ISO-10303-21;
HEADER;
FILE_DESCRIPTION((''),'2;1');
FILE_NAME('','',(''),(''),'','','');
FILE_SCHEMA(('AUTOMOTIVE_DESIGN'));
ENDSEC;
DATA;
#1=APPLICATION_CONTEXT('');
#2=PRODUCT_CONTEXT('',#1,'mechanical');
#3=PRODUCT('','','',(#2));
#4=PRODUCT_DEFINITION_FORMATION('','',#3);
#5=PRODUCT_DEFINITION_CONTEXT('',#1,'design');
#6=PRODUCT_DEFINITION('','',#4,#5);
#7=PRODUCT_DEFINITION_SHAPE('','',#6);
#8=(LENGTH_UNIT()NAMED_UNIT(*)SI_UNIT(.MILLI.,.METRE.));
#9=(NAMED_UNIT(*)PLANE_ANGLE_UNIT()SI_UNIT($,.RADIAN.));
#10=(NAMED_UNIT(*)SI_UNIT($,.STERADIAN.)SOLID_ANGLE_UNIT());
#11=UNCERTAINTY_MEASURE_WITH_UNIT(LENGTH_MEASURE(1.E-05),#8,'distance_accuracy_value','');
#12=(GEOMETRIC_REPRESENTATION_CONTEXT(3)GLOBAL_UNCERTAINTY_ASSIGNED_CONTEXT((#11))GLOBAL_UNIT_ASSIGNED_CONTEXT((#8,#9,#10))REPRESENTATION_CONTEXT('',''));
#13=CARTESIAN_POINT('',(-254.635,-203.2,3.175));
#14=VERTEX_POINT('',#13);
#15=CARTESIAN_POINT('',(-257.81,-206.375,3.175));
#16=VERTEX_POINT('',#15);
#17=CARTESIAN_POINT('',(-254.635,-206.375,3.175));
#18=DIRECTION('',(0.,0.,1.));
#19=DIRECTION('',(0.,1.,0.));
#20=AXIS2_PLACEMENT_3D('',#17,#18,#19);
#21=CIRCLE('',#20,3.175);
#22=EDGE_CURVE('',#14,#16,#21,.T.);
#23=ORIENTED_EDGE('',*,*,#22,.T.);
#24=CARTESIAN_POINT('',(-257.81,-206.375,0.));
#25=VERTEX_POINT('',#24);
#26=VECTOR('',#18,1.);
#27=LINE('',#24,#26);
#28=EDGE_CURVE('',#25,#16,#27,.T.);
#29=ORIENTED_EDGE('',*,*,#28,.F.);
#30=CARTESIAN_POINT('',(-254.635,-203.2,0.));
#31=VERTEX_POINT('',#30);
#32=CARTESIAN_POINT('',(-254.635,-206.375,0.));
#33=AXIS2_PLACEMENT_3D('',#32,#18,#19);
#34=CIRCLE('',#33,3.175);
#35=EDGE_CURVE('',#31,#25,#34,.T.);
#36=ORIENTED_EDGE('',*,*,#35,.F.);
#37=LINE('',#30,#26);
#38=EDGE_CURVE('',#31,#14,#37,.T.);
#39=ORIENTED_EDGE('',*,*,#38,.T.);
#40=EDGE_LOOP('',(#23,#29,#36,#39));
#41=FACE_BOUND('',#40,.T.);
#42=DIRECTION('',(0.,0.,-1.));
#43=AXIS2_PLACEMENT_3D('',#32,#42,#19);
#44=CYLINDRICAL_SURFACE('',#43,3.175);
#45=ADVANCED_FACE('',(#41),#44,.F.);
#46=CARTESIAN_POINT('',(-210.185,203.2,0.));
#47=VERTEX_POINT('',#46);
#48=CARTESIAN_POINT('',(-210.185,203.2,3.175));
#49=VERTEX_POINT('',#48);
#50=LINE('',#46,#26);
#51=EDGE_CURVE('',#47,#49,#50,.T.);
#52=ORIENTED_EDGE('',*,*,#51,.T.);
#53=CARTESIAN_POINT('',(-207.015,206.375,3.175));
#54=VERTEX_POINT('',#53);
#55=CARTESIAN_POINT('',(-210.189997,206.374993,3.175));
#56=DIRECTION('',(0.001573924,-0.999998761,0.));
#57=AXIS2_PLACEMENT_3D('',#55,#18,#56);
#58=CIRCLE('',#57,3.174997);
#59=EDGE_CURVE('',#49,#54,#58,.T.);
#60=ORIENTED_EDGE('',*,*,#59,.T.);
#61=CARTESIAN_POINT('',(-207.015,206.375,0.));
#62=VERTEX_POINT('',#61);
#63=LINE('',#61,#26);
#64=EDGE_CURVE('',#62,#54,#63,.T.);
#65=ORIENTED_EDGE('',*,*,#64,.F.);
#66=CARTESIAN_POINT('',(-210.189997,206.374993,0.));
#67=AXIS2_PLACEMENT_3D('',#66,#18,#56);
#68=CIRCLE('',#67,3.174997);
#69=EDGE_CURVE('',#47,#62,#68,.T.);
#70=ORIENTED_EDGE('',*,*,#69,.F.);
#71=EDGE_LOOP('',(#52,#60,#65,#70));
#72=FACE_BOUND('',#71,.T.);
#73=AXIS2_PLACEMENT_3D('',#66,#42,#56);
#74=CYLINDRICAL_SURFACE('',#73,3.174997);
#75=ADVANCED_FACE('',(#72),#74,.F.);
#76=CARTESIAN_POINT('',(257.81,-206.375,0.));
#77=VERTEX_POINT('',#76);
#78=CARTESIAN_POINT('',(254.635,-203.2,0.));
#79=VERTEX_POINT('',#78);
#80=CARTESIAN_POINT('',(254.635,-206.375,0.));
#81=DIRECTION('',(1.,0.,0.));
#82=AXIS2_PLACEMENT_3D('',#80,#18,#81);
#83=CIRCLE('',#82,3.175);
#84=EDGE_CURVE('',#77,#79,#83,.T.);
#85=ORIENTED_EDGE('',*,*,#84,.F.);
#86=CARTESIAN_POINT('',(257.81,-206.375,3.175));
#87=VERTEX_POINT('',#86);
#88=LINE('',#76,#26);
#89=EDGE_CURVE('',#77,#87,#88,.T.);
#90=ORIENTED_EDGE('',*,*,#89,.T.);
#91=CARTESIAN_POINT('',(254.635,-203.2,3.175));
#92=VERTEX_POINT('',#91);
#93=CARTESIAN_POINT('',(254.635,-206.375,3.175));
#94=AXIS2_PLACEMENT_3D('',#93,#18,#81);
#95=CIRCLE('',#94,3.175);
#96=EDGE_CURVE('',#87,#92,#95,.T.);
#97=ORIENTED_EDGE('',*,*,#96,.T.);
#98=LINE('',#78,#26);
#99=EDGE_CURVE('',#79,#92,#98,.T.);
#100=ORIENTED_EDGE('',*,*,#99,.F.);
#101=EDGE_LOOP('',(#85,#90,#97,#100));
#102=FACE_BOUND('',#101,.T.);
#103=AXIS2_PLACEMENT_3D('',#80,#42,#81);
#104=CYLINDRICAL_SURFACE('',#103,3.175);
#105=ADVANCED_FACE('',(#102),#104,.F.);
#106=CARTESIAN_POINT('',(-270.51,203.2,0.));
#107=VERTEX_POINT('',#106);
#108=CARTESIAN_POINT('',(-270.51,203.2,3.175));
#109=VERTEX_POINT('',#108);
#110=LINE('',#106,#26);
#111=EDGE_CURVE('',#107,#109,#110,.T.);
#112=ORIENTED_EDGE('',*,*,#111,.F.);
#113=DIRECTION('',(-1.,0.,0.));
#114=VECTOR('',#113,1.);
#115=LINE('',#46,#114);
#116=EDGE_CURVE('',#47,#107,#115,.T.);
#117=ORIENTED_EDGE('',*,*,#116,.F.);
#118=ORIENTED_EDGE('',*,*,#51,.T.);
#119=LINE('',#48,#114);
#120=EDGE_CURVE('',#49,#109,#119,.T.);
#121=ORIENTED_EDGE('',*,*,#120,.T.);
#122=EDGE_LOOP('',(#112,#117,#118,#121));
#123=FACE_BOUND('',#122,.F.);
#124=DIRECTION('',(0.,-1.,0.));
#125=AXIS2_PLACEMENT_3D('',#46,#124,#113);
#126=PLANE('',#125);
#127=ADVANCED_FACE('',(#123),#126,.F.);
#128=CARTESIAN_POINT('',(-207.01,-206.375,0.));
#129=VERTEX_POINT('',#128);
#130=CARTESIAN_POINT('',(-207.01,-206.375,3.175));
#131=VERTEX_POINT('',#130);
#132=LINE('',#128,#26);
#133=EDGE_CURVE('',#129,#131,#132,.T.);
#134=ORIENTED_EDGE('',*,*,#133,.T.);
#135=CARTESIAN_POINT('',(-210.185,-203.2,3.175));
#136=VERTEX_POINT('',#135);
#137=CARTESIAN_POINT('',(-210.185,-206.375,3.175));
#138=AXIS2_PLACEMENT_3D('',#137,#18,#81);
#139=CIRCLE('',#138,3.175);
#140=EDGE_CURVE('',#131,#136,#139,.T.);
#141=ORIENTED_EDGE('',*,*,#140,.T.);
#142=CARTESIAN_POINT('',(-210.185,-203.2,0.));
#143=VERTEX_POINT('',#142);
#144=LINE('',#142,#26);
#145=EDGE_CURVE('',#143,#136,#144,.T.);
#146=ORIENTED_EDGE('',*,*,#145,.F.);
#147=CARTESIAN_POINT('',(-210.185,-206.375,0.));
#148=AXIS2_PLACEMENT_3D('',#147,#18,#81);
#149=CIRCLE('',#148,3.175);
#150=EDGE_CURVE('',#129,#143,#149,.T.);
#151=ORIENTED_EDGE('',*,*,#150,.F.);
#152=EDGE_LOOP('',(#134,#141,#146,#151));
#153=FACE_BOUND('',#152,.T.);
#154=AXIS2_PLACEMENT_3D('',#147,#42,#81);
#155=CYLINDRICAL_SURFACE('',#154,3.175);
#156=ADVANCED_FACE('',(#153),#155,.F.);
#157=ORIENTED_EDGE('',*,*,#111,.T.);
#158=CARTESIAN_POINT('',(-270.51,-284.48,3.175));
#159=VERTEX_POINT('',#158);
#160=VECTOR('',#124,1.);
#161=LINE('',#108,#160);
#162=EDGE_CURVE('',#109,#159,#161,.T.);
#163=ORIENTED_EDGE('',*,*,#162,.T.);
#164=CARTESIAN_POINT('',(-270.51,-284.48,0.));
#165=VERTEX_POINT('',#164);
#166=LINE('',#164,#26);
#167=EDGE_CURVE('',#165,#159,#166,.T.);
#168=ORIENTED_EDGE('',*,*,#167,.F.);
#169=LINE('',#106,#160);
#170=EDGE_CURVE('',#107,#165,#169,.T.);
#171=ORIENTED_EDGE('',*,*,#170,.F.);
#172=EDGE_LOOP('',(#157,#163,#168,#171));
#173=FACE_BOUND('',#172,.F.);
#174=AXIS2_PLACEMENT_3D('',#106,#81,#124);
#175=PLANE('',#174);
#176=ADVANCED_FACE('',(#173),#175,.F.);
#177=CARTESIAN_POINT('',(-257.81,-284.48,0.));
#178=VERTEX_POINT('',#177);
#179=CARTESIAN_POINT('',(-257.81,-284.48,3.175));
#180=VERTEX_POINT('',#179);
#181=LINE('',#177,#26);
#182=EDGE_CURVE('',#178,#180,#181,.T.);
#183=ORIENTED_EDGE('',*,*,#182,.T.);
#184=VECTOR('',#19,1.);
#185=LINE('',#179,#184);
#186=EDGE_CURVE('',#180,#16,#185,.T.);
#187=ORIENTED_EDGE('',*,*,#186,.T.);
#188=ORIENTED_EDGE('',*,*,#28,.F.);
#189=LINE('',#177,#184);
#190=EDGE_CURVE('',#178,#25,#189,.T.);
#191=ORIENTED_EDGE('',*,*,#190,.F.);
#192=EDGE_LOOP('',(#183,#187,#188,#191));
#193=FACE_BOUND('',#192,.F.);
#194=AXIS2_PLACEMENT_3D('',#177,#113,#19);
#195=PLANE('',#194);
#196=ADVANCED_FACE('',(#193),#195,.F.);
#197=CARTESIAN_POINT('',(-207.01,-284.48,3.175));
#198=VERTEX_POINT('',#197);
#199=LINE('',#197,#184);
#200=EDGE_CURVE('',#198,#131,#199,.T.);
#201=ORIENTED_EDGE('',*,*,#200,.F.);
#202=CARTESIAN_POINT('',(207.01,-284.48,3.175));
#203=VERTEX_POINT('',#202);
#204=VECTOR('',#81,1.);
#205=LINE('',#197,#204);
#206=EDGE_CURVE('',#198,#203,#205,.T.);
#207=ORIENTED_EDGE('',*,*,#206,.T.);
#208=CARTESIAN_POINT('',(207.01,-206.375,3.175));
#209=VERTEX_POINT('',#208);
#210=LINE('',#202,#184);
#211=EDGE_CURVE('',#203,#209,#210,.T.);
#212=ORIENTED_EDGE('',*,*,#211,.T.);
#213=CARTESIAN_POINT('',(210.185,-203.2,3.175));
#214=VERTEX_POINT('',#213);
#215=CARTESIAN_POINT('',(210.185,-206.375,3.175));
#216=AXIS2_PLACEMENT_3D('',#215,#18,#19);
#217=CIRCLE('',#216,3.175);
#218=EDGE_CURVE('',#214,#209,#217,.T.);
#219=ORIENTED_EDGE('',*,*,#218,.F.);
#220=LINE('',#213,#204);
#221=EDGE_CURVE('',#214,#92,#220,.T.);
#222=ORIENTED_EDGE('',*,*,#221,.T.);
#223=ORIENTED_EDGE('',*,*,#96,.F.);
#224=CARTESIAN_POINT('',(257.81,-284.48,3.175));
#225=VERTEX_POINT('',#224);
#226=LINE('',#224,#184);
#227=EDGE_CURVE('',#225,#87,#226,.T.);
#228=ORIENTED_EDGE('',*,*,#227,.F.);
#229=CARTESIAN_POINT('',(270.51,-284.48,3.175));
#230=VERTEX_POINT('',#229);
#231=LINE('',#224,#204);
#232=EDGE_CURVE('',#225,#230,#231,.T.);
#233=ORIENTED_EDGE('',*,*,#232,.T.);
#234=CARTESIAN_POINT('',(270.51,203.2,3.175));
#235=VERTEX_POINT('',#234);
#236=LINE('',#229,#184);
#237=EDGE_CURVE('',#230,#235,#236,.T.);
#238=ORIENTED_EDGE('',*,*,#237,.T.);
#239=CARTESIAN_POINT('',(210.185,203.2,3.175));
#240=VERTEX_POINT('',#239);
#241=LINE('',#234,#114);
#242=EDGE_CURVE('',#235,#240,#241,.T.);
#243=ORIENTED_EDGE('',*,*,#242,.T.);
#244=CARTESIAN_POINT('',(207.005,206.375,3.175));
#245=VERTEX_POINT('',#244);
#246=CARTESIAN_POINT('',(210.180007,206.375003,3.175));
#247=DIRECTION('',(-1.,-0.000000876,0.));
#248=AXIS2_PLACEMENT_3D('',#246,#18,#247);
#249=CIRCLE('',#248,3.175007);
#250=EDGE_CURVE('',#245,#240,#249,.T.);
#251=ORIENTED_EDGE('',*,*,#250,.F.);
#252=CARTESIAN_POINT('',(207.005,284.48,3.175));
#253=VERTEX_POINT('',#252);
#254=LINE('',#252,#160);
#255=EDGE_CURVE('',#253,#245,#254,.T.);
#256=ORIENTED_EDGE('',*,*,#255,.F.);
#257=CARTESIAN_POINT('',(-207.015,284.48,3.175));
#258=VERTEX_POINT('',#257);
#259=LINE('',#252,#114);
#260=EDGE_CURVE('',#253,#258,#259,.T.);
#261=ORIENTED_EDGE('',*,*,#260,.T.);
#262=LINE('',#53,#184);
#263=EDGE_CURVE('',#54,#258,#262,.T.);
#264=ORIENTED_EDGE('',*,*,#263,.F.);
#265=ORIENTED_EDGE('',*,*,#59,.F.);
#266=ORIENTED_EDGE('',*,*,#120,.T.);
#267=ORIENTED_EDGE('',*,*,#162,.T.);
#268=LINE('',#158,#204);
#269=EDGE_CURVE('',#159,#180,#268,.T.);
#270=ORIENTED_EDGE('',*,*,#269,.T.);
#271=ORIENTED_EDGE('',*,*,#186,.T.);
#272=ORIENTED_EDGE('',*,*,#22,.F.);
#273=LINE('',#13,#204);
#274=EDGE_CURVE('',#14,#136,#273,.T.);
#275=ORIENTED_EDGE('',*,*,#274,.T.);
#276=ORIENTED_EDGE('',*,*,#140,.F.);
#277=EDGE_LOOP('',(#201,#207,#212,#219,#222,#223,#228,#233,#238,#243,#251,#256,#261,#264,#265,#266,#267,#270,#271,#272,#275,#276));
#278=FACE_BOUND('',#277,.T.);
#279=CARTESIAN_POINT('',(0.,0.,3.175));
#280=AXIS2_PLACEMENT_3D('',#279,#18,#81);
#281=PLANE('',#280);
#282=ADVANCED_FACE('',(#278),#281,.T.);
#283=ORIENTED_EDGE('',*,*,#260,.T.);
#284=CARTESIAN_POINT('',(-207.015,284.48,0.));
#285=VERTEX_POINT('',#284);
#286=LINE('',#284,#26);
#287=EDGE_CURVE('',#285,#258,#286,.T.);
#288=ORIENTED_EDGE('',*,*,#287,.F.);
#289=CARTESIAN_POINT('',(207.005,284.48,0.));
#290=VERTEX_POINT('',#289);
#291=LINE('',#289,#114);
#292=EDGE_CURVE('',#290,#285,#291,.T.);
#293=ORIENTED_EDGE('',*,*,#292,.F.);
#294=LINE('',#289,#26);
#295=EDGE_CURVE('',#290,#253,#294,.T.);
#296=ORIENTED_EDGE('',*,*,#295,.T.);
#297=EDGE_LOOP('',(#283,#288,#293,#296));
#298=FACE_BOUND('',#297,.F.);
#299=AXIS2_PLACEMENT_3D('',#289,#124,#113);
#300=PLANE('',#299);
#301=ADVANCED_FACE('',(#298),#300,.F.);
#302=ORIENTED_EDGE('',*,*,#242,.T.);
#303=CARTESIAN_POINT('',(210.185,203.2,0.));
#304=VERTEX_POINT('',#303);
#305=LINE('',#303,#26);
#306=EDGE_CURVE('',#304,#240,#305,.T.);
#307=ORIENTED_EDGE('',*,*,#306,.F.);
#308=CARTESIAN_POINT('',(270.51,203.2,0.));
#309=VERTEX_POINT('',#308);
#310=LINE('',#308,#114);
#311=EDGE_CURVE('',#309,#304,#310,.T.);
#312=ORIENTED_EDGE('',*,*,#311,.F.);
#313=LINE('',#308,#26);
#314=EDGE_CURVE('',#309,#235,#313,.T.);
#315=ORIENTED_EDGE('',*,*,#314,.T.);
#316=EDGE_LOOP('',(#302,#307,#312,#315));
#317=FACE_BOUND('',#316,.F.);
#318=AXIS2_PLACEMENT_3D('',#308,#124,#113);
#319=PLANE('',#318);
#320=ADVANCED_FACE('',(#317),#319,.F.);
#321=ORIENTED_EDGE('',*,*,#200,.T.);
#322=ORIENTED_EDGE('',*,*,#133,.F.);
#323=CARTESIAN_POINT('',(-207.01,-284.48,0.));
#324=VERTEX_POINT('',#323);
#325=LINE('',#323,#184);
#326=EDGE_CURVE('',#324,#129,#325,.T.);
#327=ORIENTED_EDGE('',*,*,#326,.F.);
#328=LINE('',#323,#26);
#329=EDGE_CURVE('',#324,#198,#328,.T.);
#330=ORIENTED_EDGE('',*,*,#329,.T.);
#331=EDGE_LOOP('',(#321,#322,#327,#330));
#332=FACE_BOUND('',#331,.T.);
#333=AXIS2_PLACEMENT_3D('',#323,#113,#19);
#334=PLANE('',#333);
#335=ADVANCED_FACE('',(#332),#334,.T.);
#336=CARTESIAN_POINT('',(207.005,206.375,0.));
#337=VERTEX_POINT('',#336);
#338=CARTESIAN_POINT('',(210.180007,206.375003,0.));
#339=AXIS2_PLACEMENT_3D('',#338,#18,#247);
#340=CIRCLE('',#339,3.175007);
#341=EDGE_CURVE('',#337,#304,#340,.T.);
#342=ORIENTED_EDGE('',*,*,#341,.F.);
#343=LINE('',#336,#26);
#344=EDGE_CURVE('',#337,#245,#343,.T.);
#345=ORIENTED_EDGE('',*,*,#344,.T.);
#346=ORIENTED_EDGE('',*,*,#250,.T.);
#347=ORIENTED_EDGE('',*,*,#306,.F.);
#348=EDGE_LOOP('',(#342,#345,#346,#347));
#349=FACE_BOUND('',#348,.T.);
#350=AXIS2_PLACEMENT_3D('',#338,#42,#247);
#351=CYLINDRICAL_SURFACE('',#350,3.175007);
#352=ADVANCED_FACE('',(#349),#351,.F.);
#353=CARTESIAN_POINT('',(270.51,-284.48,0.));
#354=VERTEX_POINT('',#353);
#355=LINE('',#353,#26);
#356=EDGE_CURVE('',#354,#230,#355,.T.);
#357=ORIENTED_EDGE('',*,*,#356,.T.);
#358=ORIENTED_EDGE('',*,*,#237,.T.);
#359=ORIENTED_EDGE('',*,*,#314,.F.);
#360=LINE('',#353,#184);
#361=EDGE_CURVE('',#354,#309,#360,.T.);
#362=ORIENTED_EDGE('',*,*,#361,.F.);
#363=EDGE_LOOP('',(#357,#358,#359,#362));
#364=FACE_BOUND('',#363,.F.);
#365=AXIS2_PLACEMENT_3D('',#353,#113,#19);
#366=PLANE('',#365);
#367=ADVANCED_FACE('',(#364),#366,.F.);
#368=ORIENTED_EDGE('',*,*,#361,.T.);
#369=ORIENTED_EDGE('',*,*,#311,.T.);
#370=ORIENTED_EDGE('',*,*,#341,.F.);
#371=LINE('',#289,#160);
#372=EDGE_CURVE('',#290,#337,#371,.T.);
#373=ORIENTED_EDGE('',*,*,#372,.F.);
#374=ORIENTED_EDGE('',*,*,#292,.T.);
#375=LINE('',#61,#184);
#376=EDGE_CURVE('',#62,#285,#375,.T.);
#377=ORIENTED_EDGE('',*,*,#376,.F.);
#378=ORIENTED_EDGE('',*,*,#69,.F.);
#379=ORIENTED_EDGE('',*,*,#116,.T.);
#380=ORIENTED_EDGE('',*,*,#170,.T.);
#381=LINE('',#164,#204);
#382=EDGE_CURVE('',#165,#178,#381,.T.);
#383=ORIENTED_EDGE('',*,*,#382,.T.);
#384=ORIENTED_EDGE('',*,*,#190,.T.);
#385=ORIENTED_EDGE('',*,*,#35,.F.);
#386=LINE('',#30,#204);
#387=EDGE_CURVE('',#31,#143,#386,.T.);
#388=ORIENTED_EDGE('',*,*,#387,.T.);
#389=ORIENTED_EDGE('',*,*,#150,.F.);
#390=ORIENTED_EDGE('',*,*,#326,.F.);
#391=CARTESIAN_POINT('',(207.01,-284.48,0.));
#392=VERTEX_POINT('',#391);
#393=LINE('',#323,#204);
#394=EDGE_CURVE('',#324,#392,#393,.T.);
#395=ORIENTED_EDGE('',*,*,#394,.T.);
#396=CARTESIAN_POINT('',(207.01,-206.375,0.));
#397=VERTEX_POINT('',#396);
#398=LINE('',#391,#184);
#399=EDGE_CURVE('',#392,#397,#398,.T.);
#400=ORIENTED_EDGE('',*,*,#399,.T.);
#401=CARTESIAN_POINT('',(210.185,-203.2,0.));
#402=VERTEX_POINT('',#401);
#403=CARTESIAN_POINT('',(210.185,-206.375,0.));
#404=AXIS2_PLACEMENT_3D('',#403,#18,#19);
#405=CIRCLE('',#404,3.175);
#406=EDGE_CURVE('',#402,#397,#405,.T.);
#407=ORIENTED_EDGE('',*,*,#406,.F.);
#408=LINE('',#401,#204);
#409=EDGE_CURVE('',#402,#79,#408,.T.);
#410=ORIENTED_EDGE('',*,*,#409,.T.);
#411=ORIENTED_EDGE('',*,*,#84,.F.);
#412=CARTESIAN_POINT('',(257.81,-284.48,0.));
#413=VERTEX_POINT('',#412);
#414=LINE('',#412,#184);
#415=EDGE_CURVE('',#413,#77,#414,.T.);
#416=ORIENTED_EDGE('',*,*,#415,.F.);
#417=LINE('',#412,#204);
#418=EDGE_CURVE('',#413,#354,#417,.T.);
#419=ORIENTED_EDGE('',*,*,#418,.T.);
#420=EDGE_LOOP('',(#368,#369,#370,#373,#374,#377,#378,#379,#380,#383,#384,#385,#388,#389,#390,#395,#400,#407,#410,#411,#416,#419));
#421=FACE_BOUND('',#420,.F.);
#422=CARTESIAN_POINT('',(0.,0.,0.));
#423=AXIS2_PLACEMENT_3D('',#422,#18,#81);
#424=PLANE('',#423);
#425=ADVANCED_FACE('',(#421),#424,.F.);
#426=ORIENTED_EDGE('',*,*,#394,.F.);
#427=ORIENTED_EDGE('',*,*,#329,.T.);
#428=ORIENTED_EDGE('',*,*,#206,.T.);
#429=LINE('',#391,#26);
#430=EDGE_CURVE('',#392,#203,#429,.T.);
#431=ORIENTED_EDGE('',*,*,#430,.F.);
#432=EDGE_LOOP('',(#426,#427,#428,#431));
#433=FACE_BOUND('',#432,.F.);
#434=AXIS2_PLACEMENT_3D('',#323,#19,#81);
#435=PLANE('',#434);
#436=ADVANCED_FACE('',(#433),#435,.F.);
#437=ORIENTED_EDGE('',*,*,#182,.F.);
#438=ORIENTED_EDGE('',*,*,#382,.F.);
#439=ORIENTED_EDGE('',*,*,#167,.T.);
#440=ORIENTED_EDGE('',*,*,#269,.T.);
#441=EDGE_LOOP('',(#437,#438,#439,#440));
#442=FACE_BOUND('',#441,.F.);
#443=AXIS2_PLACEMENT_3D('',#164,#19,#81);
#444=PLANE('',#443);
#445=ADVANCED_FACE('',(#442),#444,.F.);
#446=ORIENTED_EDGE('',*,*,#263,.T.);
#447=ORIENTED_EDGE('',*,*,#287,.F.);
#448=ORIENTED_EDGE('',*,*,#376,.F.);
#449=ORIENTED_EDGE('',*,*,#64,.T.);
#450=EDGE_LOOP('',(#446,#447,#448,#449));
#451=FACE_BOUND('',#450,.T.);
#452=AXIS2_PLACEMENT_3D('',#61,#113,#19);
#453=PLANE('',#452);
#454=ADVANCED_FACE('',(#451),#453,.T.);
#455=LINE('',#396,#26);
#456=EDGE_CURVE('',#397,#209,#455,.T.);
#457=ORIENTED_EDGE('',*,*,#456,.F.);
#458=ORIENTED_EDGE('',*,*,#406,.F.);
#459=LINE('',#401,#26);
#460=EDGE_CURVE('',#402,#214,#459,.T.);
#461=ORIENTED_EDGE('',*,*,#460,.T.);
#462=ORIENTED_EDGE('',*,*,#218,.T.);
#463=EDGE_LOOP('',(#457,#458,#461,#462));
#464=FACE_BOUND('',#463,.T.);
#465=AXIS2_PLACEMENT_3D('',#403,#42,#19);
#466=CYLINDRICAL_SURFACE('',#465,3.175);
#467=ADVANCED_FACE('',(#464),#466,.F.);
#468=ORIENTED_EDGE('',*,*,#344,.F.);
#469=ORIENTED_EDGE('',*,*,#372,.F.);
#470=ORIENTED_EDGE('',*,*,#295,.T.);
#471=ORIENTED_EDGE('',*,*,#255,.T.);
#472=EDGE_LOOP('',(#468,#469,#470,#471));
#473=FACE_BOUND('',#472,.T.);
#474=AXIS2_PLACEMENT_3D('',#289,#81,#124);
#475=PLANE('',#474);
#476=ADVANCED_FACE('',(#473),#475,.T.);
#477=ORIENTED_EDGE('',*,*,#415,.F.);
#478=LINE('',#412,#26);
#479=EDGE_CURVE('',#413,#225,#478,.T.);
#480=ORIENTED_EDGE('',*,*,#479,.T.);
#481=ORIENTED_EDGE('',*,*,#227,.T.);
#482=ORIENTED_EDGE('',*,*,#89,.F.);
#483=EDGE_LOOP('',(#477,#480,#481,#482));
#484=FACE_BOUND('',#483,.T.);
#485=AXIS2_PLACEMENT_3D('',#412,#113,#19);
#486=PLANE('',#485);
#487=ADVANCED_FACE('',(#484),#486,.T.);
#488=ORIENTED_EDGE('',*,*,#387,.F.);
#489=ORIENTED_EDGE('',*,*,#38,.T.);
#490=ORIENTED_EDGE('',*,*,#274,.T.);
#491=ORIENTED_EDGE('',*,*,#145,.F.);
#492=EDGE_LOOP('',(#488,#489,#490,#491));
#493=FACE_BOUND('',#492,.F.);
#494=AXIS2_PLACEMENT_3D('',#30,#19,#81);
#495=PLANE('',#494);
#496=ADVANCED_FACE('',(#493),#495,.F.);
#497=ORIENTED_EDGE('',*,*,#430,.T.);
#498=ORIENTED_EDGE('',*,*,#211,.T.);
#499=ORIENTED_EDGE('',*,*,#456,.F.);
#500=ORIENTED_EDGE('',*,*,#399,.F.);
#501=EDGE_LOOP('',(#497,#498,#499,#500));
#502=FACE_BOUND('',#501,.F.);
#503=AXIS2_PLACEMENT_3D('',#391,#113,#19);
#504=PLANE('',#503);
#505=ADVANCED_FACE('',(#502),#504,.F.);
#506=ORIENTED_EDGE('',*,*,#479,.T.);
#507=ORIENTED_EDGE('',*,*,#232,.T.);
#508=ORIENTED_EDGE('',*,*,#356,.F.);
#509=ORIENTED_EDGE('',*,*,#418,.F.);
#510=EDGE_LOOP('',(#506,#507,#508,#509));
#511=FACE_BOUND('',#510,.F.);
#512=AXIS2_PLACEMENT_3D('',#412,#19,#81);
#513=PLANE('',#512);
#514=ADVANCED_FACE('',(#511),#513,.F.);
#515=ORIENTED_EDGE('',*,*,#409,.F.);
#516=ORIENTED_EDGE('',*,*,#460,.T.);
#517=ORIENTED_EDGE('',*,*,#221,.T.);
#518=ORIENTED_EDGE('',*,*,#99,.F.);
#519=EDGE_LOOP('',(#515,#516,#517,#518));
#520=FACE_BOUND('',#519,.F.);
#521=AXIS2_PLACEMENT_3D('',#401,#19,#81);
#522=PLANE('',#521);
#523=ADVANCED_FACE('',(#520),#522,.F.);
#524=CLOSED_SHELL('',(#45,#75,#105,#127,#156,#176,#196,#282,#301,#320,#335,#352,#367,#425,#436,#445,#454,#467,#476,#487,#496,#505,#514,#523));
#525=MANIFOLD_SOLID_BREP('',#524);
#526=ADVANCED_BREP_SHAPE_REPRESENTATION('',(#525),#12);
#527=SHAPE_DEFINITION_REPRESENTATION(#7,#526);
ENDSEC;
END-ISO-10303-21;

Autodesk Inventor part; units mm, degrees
ref_plane "YZ Plane" through (0, 0, 0) normal (1, 0, 0) x (0, 1, 0)
ref_plane "XZ Plane" through (0, 0, 0) normal (0, 1, 0) x (-1, 0, 0)
ref_plane "XY Plane" through (0, 0, 0) normal (0, 0, 1) x (1, 0, 0)
sketch "Sketch1" plane through (0, 0, 0) normal (0, 0, 1) x (1, 0, 0)
  line L0 (270.51, 284.48) -> (-270.51, -284.48) construction
  line L1 (-270.51, 284.48) -> (270.51, -284.48) construction
  line L2 (-270.51, -284.48) -> (-257.81, -284.48)
  line L3 (-207.01, -284.48) -> (207.01, -284.48)
  line L4 (257.81, -284.48) -> (270.51, -284.48)
  line L5 (270.51, -284.48) -> (270.51, 203.2)
  line L6 (207.005, 284.48) -> (-207.015, 284.48)
  line L7 (-207.015, 206.375) -> (-207.015, 284.48)
  line L8 (-210.185, 203.2) -> (-270.51, 203.2)
  line L9 (-270.51, 203.2) -> (-270.51, -284.48)
  arc A0 (-210.185, 203.2) -> (-207.015, 206.375) centre (-210.19, 206.375) ccw
  line L10 (207.005, 284.48) -> (207.005, 206.375)
  line L11 (270.51, 203.2) -> (210.185, 203.2)
  arc A1 (207.005, 206.375) -> (210.185, 203.2) centre (210.18, 206.375) ccw
  line L12 (-257.81, -284.48) -> (-257.81, -206.375)
  line L13 (-207.01, -284.48) -> (-207.01, -206.375)
  arc A2 (-254.635, -203.2) -> (-257.81, -206.375) centre (-254.635, -206.375) ccw
  arc A3 (-207.01, -206.375) -> (-210.185, -203.2) centre (-210.185, -206.375) ccw
  line L14 (-254.635, -203.2) -> (-210.185, -203.2)
  line L15 (207.01, -284.48) -> (207.01, -206.375)
  line L16 (257.81, -284.48) -> (257.81, -206.375)
  arc A4 (210.185, -203.2) -> (207.01, -206.375) centre (210.185, -206.375) ccw
  arc A5 (257.81, -206.375) -> (254.635, -203.2) centre (254.635, -206.375) ccw
  line L17 (210.185, -203.2) -> (254.635, -203.2)
  point P0 (0, 0)
  point P1 (0, 0)
  dimension "d0" = 541.02
  dimension "d1" = 568.96
  dimension "d2" = 12.7
  dimension "d6" = 414.02
  dimension "d10" = 12.7
  dimension "d11" = 487.68
  dimension "d14" = 414.02
  dimension "d19" = 78.105
  dimension "d20" = 60.325
  dimension "d22" = 78.105
  dimension "d23" = 60.325
  dimension "d26" = 78.105
  dimension "d27" = 78.105
  dimension "d28" = 44.45
  dimension "d29" = 50.8
  dimension "d30" = 78.105
  dimension "d31" = 78.105
extrude "Extrusion1" add sketch "Sketch1" along normal blind 3.175
properties part number "BK-BKT120-BasePlateextruded" material "Aluminum 6061"
